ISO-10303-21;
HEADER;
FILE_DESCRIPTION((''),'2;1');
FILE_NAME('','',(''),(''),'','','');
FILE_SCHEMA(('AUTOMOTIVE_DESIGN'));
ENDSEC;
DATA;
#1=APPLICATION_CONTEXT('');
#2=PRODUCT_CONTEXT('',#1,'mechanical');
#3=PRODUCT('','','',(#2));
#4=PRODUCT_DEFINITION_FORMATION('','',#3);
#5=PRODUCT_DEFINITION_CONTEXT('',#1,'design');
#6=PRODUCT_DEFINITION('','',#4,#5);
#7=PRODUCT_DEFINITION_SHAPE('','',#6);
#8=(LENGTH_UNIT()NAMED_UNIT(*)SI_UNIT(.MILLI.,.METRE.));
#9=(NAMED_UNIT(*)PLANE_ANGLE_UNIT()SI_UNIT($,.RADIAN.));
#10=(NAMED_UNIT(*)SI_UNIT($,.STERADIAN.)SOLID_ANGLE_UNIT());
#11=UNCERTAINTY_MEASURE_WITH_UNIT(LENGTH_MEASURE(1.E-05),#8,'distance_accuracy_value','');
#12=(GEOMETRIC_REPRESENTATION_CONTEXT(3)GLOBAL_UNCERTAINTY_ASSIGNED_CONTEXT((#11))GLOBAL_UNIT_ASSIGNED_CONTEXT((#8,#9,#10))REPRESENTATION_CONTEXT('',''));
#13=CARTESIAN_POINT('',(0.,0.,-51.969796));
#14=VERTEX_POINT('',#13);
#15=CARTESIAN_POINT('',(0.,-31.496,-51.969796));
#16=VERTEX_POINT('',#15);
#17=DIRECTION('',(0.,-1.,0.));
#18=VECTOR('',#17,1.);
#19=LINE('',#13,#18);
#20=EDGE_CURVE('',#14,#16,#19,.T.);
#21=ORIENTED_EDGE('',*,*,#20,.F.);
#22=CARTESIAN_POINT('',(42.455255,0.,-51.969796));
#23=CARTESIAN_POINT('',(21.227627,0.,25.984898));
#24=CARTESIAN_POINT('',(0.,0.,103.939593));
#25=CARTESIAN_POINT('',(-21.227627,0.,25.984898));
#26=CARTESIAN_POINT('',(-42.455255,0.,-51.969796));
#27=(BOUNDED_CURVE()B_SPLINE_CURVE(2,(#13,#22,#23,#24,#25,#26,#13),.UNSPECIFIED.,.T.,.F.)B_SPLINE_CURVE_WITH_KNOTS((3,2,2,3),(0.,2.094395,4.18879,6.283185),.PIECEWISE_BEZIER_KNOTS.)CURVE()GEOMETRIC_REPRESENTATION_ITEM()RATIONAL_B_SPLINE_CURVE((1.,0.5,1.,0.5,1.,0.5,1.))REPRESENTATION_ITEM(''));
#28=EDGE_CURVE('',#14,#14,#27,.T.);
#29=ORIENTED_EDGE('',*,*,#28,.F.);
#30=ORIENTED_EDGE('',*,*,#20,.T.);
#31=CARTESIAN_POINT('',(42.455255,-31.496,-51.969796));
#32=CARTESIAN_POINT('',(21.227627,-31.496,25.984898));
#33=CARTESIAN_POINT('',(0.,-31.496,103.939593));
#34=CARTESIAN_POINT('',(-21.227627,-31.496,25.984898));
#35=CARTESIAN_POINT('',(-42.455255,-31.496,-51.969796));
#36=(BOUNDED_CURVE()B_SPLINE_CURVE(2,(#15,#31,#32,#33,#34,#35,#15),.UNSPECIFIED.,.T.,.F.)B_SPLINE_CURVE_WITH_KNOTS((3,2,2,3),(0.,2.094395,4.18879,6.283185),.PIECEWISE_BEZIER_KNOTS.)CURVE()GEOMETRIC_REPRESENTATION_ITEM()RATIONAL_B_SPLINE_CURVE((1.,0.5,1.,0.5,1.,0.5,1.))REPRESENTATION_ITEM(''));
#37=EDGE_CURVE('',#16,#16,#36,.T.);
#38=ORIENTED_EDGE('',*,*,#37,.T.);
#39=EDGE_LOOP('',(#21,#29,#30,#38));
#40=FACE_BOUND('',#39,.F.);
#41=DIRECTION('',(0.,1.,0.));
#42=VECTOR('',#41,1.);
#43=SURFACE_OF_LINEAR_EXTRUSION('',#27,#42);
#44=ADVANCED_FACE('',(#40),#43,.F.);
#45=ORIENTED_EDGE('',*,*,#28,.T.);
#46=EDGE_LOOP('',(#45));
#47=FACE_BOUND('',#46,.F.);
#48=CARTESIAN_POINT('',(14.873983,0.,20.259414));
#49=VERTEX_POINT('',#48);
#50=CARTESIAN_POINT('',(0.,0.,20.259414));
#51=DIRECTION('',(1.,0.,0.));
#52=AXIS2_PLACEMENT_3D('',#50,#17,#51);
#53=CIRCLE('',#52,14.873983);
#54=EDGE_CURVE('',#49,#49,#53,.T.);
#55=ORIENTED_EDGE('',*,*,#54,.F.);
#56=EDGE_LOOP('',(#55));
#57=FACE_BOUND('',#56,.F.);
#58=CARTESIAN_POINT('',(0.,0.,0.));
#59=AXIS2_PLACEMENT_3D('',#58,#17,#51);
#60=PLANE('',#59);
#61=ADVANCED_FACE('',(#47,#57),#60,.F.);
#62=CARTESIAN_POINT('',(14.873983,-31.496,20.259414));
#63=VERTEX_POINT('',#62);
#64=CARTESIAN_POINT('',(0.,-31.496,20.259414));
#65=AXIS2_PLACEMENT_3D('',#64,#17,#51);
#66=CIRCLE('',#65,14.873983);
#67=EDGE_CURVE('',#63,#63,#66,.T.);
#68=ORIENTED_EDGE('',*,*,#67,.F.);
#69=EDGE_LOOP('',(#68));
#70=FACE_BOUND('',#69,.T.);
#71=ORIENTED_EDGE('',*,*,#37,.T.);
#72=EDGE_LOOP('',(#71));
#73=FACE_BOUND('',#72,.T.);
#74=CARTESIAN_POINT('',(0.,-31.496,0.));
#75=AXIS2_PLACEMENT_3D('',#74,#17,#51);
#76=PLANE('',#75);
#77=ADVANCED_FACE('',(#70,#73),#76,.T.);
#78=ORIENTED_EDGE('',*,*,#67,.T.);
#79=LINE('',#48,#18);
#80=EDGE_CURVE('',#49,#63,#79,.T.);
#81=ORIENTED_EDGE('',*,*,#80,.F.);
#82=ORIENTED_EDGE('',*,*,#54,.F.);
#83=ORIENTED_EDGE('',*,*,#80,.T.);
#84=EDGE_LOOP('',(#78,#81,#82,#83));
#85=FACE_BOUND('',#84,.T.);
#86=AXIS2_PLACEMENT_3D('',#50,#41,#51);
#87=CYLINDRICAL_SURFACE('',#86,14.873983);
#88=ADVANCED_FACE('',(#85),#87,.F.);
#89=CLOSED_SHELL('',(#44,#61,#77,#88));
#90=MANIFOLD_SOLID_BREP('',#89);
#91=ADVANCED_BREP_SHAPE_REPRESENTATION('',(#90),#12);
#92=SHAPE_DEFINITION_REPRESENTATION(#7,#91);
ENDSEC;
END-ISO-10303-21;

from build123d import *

# Parameters (mm, degrees)
F0_R     = 14.873983
F1_DEPTH = 31.496


with BuildPart() as f1:
    # F0 (on Front) → F1 (new body)
    with BuildSketch(Plane.XZ):
        with BuildLine():
            add(Edge.make_bspline(
                [(0, -51.969796), (42.455255, -51.969796), (21.227627, 25.984898), (0, 103.939593), (-21.227627, 25.984898), (-42.455255, -51.969796), (0, -51.969796)],
                knots=[0, 0, 0, 2.094395, 2.094395, 4.18879, 4.18879, 6.283185, 6.283185, 6.283185], degree=2, weights=[1, 0.5, 1, 0.5, 1, 0.5, 1]))
        make_face()
        with Locations((0, 20.259414)):
            Circle(F0_R, mode=Mode.SUBTRACT)
    extrude(amount=F1_DEPTH)


solid = f1.part
